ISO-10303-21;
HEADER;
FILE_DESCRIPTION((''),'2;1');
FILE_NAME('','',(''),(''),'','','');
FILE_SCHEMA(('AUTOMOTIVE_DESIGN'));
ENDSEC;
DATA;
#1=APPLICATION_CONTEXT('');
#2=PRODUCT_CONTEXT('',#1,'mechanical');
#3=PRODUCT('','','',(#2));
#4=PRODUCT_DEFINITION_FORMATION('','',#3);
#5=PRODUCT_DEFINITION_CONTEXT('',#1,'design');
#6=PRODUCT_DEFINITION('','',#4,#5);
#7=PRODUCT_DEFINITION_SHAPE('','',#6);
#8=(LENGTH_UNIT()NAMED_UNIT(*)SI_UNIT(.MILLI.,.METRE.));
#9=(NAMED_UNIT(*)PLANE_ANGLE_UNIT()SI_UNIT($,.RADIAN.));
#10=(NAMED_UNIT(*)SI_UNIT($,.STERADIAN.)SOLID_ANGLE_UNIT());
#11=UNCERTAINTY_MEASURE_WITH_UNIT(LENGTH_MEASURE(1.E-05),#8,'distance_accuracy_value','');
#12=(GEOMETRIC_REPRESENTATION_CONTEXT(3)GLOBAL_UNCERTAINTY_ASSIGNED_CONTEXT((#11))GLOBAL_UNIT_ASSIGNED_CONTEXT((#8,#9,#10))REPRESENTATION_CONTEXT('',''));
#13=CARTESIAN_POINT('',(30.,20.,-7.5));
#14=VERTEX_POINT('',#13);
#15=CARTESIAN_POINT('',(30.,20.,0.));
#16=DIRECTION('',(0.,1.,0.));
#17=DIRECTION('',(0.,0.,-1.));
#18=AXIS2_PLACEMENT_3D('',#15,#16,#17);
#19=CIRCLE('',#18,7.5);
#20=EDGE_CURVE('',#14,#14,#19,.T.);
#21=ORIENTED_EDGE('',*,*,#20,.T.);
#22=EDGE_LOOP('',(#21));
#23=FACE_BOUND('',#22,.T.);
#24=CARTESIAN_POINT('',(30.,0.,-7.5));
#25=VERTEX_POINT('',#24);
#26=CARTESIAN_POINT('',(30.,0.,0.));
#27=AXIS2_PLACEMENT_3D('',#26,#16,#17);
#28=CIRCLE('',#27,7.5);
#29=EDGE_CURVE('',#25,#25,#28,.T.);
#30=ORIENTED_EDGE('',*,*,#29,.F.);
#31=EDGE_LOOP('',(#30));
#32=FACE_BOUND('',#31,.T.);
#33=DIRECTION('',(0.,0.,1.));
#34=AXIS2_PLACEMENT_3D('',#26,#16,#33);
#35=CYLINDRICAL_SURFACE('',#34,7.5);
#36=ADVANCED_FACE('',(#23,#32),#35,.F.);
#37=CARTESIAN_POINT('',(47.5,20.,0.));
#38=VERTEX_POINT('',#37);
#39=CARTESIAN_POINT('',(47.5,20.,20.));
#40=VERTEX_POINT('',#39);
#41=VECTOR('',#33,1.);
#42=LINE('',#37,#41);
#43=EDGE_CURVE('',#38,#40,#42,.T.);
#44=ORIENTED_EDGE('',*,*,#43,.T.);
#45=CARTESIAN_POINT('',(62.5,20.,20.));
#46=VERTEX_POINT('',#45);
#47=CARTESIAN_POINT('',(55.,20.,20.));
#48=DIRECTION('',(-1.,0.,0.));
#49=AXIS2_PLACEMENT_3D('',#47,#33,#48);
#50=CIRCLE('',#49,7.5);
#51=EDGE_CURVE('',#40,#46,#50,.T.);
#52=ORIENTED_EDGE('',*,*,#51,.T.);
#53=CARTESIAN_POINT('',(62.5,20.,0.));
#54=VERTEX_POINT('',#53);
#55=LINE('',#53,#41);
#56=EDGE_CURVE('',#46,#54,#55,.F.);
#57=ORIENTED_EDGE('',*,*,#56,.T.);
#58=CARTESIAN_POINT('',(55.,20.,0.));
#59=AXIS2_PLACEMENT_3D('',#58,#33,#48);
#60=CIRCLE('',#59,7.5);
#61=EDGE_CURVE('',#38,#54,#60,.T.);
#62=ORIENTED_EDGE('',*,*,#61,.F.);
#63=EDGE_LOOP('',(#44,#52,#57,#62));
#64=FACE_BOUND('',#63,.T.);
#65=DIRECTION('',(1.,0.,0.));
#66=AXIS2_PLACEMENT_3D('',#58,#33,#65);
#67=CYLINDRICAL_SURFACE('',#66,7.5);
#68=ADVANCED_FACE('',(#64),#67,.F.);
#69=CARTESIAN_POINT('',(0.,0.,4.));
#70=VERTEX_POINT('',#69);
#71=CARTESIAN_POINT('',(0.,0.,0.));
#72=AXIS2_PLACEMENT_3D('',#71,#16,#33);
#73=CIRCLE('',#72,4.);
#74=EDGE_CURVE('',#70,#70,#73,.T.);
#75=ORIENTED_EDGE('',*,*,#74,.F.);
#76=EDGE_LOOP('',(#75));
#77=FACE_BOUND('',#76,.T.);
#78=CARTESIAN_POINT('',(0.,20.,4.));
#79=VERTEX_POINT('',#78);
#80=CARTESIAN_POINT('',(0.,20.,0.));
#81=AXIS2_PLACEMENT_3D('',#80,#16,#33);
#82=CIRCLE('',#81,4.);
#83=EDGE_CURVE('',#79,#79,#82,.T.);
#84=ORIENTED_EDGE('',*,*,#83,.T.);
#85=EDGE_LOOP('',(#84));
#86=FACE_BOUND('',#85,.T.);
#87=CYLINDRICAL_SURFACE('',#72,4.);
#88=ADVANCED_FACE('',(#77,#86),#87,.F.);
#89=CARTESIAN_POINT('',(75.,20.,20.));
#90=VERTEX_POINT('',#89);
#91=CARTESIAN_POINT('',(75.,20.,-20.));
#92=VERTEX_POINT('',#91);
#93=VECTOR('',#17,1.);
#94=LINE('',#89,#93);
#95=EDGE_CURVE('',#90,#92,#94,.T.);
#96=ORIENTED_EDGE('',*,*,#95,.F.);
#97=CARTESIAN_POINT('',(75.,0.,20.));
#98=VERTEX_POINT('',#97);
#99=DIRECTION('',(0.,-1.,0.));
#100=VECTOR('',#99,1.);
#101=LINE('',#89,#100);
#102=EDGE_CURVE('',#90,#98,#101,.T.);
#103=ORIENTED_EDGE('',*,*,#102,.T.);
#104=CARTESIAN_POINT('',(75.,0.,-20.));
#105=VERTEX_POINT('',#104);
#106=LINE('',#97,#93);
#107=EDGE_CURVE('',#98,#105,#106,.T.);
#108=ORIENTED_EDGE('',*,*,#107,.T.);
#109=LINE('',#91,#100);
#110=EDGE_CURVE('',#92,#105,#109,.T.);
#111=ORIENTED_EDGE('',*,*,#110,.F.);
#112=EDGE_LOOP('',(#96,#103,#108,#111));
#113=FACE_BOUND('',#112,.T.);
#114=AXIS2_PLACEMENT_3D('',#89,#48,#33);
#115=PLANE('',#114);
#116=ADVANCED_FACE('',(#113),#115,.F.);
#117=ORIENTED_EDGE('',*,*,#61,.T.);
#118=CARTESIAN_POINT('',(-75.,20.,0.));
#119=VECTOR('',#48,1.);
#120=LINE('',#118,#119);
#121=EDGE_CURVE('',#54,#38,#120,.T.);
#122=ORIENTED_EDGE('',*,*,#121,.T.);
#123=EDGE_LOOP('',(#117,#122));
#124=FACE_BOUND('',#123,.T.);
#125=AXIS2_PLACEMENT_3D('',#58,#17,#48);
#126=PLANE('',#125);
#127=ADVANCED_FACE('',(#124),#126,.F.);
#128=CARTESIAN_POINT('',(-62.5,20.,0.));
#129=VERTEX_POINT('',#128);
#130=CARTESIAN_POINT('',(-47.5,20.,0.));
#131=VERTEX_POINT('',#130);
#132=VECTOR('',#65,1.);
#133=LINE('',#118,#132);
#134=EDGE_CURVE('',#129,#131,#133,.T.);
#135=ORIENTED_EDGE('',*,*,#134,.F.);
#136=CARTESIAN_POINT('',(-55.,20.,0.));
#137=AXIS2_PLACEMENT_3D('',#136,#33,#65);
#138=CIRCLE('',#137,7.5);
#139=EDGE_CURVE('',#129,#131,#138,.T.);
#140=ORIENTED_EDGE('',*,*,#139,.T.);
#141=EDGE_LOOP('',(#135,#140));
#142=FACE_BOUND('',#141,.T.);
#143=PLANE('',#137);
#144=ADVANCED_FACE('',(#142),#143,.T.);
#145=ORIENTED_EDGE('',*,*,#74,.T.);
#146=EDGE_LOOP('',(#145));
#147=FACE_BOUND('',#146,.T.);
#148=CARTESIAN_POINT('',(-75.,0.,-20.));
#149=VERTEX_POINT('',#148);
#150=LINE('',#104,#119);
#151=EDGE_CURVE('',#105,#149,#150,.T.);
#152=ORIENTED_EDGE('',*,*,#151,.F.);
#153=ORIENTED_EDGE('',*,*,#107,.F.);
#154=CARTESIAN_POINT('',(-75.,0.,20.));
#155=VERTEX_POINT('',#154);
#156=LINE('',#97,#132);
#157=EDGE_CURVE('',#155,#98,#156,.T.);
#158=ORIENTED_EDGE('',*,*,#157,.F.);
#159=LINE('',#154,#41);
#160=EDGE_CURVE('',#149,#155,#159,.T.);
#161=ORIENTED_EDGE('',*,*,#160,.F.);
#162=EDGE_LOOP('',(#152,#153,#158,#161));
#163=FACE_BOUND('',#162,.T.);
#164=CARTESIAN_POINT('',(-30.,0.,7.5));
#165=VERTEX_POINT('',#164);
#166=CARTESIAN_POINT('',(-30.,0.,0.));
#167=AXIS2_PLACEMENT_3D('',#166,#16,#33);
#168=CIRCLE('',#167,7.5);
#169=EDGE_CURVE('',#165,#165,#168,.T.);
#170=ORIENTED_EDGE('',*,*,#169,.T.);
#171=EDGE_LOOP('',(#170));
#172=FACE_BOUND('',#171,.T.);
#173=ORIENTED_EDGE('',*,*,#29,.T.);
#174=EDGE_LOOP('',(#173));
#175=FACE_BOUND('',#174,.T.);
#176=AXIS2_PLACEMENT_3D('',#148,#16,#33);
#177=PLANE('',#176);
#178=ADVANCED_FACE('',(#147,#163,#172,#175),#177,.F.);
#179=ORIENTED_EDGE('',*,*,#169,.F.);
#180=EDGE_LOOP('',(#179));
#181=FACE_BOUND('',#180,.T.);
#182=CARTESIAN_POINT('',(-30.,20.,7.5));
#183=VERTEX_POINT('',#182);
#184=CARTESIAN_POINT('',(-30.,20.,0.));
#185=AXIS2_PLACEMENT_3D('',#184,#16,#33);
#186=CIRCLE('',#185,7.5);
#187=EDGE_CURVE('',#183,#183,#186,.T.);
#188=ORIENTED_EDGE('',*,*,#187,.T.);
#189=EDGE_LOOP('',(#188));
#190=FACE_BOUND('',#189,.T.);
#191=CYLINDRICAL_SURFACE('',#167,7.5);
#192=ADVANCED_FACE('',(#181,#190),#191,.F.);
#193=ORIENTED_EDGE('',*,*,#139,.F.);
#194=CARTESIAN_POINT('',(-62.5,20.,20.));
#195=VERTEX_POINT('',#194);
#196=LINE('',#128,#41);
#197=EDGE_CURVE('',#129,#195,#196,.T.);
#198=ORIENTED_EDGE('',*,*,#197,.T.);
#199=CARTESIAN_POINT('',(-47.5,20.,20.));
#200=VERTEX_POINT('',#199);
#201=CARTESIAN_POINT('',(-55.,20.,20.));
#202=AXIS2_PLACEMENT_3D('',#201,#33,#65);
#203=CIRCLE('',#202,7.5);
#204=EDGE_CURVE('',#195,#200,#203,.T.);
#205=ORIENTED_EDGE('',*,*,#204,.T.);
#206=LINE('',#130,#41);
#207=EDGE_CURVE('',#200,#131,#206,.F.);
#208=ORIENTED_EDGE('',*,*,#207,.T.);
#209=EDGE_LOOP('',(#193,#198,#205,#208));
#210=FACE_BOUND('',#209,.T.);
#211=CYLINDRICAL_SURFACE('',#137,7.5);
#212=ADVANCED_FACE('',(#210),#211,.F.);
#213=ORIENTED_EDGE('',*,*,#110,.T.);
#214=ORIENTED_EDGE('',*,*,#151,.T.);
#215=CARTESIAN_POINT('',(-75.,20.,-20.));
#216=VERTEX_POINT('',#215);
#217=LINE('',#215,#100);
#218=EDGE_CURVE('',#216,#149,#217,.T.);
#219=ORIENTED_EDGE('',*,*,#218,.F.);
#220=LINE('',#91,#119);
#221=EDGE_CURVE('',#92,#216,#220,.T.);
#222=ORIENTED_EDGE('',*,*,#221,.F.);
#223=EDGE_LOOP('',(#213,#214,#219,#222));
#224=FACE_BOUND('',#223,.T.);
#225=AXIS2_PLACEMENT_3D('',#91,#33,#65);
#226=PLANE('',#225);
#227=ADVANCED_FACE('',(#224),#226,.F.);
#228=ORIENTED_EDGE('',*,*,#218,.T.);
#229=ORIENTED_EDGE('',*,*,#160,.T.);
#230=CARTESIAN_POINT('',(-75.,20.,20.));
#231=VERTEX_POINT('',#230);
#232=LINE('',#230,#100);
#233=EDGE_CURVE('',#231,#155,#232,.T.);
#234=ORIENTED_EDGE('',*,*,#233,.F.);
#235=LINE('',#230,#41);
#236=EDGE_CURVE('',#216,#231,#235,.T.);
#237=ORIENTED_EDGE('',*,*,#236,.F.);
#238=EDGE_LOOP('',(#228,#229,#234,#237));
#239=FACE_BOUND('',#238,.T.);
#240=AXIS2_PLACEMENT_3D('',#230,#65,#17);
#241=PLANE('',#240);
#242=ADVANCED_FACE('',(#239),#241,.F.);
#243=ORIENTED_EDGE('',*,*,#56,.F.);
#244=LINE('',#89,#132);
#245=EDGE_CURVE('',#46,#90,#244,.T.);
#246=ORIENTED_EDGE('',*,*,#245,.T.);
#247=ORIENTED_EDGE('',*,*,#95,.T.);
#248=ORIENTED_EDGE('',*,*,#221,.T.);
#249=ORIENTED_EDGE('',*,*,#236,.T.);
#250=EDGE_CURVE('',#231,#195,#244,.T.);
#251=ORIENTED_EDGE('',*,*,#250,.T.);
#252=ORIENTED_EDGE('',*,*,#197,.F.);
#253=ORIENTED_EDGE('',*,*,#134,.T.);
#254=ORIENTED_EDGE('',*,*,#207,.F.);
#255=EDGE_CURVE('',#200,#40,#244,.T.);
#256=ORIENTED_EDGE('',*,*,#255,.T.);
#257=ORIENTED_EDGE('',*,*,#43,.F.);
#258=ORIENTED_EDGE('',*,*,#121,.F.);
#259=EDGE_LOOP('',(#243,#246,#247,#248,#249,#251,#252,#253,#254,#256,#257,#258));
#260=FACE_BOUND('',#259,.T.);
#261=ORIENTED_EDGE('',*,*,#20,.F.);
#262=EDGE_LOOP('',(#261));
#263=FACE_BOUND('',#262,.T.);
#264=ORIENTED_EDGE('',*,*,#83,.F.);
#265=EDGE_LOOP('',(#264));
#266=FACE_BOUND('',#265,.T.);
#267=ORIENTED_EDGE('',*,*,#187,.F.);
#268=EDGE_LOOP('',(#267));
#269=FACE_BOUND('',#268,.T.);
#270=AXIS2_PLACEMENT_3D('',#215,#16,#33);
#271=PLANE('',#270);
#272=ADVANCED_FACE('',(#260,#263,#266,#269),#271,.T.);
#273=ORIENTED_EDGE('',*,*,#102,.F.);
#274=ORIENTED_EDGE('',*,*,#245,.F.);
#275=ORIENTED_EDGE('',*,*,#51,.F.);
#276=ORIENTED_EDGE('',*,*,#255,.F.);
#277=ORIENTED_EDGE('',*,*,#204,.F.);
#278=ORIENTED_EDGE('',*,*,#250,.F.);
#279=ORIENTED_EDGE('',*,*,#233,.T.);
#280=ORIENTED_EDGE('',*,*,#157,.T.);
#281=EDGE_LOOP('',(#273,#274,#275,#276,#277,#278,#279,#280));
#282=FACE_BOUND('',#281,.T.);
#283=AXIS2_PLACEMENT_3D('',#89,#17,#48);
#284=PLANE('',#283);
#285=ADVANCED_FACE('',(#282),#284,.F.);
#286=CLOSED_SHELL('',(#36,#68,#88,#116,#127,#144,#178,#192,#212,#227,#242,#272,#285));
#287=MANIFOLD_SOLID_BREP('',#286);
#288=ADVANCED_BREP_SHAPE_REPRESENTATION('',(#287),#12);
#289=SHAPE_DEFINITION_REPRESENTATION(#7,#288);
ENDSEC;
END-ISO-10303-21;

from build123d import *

# Parameters (mm, degrees)
CROQUIS1_W     = 150
CROQUIS1_H     = 40
EXTRUIR1_DEPTH = 20
CROQUIS4_R     = 7.5
CROQUIS4_R_2   = 4
EXTRUIR3_DEPTH = 81.156097709
CROQUIS5_R     = 7.5
EXTRUIR4_DEPTH = 20


with BuildPart() as part:
    # Croquis1 → Extruir1 (new body)
    with BuildSketch(Plane(origin=(0, 0, 0), x_dir=(1, 0, 0), z_dir=(0, 1, 0))):
        Rectangle(CROQUIS1_W, CROQUIS1_H)
    extrude(amount=EXTRUIR1_DEPTH)

    # Croquis4 → Extruir3 (cut, through all)
    with BuildSketch(Plane(origin=(0, 20, 0), x_dir=(1, 0, 0), z_dir=(0, 1, 0))):
        with Locations(Location((-30, 0, 0), (0, 0, 270))):
            Circle(CROQUIS4_R)
        with Locations(Location((30, 0, 0), (0, 0, 90))):
            Circle(CROQUIS4_R)
        with Locations(Location((0, 0, 0), (0, 0, 270))):
            Circle(CROQUIS4_R_2)
    extrude(amount=-EXTRUIR3_DEPTH, mode=Mode.SUBTRACT)

    # Croquis5 → Extruir4 (cut)
    with BuildSketch(Plane.XY.offset(20)):
        with Locations((-55, 20)):
            Circle(CROQUIS5_R)
        with Locations((55, 20)):
            Circle(CROQUIS5_R)
    extrude(amount=-EXTRUIR4_DEPTH, mode=Mode.SUBTRACT)


solid = part.part
